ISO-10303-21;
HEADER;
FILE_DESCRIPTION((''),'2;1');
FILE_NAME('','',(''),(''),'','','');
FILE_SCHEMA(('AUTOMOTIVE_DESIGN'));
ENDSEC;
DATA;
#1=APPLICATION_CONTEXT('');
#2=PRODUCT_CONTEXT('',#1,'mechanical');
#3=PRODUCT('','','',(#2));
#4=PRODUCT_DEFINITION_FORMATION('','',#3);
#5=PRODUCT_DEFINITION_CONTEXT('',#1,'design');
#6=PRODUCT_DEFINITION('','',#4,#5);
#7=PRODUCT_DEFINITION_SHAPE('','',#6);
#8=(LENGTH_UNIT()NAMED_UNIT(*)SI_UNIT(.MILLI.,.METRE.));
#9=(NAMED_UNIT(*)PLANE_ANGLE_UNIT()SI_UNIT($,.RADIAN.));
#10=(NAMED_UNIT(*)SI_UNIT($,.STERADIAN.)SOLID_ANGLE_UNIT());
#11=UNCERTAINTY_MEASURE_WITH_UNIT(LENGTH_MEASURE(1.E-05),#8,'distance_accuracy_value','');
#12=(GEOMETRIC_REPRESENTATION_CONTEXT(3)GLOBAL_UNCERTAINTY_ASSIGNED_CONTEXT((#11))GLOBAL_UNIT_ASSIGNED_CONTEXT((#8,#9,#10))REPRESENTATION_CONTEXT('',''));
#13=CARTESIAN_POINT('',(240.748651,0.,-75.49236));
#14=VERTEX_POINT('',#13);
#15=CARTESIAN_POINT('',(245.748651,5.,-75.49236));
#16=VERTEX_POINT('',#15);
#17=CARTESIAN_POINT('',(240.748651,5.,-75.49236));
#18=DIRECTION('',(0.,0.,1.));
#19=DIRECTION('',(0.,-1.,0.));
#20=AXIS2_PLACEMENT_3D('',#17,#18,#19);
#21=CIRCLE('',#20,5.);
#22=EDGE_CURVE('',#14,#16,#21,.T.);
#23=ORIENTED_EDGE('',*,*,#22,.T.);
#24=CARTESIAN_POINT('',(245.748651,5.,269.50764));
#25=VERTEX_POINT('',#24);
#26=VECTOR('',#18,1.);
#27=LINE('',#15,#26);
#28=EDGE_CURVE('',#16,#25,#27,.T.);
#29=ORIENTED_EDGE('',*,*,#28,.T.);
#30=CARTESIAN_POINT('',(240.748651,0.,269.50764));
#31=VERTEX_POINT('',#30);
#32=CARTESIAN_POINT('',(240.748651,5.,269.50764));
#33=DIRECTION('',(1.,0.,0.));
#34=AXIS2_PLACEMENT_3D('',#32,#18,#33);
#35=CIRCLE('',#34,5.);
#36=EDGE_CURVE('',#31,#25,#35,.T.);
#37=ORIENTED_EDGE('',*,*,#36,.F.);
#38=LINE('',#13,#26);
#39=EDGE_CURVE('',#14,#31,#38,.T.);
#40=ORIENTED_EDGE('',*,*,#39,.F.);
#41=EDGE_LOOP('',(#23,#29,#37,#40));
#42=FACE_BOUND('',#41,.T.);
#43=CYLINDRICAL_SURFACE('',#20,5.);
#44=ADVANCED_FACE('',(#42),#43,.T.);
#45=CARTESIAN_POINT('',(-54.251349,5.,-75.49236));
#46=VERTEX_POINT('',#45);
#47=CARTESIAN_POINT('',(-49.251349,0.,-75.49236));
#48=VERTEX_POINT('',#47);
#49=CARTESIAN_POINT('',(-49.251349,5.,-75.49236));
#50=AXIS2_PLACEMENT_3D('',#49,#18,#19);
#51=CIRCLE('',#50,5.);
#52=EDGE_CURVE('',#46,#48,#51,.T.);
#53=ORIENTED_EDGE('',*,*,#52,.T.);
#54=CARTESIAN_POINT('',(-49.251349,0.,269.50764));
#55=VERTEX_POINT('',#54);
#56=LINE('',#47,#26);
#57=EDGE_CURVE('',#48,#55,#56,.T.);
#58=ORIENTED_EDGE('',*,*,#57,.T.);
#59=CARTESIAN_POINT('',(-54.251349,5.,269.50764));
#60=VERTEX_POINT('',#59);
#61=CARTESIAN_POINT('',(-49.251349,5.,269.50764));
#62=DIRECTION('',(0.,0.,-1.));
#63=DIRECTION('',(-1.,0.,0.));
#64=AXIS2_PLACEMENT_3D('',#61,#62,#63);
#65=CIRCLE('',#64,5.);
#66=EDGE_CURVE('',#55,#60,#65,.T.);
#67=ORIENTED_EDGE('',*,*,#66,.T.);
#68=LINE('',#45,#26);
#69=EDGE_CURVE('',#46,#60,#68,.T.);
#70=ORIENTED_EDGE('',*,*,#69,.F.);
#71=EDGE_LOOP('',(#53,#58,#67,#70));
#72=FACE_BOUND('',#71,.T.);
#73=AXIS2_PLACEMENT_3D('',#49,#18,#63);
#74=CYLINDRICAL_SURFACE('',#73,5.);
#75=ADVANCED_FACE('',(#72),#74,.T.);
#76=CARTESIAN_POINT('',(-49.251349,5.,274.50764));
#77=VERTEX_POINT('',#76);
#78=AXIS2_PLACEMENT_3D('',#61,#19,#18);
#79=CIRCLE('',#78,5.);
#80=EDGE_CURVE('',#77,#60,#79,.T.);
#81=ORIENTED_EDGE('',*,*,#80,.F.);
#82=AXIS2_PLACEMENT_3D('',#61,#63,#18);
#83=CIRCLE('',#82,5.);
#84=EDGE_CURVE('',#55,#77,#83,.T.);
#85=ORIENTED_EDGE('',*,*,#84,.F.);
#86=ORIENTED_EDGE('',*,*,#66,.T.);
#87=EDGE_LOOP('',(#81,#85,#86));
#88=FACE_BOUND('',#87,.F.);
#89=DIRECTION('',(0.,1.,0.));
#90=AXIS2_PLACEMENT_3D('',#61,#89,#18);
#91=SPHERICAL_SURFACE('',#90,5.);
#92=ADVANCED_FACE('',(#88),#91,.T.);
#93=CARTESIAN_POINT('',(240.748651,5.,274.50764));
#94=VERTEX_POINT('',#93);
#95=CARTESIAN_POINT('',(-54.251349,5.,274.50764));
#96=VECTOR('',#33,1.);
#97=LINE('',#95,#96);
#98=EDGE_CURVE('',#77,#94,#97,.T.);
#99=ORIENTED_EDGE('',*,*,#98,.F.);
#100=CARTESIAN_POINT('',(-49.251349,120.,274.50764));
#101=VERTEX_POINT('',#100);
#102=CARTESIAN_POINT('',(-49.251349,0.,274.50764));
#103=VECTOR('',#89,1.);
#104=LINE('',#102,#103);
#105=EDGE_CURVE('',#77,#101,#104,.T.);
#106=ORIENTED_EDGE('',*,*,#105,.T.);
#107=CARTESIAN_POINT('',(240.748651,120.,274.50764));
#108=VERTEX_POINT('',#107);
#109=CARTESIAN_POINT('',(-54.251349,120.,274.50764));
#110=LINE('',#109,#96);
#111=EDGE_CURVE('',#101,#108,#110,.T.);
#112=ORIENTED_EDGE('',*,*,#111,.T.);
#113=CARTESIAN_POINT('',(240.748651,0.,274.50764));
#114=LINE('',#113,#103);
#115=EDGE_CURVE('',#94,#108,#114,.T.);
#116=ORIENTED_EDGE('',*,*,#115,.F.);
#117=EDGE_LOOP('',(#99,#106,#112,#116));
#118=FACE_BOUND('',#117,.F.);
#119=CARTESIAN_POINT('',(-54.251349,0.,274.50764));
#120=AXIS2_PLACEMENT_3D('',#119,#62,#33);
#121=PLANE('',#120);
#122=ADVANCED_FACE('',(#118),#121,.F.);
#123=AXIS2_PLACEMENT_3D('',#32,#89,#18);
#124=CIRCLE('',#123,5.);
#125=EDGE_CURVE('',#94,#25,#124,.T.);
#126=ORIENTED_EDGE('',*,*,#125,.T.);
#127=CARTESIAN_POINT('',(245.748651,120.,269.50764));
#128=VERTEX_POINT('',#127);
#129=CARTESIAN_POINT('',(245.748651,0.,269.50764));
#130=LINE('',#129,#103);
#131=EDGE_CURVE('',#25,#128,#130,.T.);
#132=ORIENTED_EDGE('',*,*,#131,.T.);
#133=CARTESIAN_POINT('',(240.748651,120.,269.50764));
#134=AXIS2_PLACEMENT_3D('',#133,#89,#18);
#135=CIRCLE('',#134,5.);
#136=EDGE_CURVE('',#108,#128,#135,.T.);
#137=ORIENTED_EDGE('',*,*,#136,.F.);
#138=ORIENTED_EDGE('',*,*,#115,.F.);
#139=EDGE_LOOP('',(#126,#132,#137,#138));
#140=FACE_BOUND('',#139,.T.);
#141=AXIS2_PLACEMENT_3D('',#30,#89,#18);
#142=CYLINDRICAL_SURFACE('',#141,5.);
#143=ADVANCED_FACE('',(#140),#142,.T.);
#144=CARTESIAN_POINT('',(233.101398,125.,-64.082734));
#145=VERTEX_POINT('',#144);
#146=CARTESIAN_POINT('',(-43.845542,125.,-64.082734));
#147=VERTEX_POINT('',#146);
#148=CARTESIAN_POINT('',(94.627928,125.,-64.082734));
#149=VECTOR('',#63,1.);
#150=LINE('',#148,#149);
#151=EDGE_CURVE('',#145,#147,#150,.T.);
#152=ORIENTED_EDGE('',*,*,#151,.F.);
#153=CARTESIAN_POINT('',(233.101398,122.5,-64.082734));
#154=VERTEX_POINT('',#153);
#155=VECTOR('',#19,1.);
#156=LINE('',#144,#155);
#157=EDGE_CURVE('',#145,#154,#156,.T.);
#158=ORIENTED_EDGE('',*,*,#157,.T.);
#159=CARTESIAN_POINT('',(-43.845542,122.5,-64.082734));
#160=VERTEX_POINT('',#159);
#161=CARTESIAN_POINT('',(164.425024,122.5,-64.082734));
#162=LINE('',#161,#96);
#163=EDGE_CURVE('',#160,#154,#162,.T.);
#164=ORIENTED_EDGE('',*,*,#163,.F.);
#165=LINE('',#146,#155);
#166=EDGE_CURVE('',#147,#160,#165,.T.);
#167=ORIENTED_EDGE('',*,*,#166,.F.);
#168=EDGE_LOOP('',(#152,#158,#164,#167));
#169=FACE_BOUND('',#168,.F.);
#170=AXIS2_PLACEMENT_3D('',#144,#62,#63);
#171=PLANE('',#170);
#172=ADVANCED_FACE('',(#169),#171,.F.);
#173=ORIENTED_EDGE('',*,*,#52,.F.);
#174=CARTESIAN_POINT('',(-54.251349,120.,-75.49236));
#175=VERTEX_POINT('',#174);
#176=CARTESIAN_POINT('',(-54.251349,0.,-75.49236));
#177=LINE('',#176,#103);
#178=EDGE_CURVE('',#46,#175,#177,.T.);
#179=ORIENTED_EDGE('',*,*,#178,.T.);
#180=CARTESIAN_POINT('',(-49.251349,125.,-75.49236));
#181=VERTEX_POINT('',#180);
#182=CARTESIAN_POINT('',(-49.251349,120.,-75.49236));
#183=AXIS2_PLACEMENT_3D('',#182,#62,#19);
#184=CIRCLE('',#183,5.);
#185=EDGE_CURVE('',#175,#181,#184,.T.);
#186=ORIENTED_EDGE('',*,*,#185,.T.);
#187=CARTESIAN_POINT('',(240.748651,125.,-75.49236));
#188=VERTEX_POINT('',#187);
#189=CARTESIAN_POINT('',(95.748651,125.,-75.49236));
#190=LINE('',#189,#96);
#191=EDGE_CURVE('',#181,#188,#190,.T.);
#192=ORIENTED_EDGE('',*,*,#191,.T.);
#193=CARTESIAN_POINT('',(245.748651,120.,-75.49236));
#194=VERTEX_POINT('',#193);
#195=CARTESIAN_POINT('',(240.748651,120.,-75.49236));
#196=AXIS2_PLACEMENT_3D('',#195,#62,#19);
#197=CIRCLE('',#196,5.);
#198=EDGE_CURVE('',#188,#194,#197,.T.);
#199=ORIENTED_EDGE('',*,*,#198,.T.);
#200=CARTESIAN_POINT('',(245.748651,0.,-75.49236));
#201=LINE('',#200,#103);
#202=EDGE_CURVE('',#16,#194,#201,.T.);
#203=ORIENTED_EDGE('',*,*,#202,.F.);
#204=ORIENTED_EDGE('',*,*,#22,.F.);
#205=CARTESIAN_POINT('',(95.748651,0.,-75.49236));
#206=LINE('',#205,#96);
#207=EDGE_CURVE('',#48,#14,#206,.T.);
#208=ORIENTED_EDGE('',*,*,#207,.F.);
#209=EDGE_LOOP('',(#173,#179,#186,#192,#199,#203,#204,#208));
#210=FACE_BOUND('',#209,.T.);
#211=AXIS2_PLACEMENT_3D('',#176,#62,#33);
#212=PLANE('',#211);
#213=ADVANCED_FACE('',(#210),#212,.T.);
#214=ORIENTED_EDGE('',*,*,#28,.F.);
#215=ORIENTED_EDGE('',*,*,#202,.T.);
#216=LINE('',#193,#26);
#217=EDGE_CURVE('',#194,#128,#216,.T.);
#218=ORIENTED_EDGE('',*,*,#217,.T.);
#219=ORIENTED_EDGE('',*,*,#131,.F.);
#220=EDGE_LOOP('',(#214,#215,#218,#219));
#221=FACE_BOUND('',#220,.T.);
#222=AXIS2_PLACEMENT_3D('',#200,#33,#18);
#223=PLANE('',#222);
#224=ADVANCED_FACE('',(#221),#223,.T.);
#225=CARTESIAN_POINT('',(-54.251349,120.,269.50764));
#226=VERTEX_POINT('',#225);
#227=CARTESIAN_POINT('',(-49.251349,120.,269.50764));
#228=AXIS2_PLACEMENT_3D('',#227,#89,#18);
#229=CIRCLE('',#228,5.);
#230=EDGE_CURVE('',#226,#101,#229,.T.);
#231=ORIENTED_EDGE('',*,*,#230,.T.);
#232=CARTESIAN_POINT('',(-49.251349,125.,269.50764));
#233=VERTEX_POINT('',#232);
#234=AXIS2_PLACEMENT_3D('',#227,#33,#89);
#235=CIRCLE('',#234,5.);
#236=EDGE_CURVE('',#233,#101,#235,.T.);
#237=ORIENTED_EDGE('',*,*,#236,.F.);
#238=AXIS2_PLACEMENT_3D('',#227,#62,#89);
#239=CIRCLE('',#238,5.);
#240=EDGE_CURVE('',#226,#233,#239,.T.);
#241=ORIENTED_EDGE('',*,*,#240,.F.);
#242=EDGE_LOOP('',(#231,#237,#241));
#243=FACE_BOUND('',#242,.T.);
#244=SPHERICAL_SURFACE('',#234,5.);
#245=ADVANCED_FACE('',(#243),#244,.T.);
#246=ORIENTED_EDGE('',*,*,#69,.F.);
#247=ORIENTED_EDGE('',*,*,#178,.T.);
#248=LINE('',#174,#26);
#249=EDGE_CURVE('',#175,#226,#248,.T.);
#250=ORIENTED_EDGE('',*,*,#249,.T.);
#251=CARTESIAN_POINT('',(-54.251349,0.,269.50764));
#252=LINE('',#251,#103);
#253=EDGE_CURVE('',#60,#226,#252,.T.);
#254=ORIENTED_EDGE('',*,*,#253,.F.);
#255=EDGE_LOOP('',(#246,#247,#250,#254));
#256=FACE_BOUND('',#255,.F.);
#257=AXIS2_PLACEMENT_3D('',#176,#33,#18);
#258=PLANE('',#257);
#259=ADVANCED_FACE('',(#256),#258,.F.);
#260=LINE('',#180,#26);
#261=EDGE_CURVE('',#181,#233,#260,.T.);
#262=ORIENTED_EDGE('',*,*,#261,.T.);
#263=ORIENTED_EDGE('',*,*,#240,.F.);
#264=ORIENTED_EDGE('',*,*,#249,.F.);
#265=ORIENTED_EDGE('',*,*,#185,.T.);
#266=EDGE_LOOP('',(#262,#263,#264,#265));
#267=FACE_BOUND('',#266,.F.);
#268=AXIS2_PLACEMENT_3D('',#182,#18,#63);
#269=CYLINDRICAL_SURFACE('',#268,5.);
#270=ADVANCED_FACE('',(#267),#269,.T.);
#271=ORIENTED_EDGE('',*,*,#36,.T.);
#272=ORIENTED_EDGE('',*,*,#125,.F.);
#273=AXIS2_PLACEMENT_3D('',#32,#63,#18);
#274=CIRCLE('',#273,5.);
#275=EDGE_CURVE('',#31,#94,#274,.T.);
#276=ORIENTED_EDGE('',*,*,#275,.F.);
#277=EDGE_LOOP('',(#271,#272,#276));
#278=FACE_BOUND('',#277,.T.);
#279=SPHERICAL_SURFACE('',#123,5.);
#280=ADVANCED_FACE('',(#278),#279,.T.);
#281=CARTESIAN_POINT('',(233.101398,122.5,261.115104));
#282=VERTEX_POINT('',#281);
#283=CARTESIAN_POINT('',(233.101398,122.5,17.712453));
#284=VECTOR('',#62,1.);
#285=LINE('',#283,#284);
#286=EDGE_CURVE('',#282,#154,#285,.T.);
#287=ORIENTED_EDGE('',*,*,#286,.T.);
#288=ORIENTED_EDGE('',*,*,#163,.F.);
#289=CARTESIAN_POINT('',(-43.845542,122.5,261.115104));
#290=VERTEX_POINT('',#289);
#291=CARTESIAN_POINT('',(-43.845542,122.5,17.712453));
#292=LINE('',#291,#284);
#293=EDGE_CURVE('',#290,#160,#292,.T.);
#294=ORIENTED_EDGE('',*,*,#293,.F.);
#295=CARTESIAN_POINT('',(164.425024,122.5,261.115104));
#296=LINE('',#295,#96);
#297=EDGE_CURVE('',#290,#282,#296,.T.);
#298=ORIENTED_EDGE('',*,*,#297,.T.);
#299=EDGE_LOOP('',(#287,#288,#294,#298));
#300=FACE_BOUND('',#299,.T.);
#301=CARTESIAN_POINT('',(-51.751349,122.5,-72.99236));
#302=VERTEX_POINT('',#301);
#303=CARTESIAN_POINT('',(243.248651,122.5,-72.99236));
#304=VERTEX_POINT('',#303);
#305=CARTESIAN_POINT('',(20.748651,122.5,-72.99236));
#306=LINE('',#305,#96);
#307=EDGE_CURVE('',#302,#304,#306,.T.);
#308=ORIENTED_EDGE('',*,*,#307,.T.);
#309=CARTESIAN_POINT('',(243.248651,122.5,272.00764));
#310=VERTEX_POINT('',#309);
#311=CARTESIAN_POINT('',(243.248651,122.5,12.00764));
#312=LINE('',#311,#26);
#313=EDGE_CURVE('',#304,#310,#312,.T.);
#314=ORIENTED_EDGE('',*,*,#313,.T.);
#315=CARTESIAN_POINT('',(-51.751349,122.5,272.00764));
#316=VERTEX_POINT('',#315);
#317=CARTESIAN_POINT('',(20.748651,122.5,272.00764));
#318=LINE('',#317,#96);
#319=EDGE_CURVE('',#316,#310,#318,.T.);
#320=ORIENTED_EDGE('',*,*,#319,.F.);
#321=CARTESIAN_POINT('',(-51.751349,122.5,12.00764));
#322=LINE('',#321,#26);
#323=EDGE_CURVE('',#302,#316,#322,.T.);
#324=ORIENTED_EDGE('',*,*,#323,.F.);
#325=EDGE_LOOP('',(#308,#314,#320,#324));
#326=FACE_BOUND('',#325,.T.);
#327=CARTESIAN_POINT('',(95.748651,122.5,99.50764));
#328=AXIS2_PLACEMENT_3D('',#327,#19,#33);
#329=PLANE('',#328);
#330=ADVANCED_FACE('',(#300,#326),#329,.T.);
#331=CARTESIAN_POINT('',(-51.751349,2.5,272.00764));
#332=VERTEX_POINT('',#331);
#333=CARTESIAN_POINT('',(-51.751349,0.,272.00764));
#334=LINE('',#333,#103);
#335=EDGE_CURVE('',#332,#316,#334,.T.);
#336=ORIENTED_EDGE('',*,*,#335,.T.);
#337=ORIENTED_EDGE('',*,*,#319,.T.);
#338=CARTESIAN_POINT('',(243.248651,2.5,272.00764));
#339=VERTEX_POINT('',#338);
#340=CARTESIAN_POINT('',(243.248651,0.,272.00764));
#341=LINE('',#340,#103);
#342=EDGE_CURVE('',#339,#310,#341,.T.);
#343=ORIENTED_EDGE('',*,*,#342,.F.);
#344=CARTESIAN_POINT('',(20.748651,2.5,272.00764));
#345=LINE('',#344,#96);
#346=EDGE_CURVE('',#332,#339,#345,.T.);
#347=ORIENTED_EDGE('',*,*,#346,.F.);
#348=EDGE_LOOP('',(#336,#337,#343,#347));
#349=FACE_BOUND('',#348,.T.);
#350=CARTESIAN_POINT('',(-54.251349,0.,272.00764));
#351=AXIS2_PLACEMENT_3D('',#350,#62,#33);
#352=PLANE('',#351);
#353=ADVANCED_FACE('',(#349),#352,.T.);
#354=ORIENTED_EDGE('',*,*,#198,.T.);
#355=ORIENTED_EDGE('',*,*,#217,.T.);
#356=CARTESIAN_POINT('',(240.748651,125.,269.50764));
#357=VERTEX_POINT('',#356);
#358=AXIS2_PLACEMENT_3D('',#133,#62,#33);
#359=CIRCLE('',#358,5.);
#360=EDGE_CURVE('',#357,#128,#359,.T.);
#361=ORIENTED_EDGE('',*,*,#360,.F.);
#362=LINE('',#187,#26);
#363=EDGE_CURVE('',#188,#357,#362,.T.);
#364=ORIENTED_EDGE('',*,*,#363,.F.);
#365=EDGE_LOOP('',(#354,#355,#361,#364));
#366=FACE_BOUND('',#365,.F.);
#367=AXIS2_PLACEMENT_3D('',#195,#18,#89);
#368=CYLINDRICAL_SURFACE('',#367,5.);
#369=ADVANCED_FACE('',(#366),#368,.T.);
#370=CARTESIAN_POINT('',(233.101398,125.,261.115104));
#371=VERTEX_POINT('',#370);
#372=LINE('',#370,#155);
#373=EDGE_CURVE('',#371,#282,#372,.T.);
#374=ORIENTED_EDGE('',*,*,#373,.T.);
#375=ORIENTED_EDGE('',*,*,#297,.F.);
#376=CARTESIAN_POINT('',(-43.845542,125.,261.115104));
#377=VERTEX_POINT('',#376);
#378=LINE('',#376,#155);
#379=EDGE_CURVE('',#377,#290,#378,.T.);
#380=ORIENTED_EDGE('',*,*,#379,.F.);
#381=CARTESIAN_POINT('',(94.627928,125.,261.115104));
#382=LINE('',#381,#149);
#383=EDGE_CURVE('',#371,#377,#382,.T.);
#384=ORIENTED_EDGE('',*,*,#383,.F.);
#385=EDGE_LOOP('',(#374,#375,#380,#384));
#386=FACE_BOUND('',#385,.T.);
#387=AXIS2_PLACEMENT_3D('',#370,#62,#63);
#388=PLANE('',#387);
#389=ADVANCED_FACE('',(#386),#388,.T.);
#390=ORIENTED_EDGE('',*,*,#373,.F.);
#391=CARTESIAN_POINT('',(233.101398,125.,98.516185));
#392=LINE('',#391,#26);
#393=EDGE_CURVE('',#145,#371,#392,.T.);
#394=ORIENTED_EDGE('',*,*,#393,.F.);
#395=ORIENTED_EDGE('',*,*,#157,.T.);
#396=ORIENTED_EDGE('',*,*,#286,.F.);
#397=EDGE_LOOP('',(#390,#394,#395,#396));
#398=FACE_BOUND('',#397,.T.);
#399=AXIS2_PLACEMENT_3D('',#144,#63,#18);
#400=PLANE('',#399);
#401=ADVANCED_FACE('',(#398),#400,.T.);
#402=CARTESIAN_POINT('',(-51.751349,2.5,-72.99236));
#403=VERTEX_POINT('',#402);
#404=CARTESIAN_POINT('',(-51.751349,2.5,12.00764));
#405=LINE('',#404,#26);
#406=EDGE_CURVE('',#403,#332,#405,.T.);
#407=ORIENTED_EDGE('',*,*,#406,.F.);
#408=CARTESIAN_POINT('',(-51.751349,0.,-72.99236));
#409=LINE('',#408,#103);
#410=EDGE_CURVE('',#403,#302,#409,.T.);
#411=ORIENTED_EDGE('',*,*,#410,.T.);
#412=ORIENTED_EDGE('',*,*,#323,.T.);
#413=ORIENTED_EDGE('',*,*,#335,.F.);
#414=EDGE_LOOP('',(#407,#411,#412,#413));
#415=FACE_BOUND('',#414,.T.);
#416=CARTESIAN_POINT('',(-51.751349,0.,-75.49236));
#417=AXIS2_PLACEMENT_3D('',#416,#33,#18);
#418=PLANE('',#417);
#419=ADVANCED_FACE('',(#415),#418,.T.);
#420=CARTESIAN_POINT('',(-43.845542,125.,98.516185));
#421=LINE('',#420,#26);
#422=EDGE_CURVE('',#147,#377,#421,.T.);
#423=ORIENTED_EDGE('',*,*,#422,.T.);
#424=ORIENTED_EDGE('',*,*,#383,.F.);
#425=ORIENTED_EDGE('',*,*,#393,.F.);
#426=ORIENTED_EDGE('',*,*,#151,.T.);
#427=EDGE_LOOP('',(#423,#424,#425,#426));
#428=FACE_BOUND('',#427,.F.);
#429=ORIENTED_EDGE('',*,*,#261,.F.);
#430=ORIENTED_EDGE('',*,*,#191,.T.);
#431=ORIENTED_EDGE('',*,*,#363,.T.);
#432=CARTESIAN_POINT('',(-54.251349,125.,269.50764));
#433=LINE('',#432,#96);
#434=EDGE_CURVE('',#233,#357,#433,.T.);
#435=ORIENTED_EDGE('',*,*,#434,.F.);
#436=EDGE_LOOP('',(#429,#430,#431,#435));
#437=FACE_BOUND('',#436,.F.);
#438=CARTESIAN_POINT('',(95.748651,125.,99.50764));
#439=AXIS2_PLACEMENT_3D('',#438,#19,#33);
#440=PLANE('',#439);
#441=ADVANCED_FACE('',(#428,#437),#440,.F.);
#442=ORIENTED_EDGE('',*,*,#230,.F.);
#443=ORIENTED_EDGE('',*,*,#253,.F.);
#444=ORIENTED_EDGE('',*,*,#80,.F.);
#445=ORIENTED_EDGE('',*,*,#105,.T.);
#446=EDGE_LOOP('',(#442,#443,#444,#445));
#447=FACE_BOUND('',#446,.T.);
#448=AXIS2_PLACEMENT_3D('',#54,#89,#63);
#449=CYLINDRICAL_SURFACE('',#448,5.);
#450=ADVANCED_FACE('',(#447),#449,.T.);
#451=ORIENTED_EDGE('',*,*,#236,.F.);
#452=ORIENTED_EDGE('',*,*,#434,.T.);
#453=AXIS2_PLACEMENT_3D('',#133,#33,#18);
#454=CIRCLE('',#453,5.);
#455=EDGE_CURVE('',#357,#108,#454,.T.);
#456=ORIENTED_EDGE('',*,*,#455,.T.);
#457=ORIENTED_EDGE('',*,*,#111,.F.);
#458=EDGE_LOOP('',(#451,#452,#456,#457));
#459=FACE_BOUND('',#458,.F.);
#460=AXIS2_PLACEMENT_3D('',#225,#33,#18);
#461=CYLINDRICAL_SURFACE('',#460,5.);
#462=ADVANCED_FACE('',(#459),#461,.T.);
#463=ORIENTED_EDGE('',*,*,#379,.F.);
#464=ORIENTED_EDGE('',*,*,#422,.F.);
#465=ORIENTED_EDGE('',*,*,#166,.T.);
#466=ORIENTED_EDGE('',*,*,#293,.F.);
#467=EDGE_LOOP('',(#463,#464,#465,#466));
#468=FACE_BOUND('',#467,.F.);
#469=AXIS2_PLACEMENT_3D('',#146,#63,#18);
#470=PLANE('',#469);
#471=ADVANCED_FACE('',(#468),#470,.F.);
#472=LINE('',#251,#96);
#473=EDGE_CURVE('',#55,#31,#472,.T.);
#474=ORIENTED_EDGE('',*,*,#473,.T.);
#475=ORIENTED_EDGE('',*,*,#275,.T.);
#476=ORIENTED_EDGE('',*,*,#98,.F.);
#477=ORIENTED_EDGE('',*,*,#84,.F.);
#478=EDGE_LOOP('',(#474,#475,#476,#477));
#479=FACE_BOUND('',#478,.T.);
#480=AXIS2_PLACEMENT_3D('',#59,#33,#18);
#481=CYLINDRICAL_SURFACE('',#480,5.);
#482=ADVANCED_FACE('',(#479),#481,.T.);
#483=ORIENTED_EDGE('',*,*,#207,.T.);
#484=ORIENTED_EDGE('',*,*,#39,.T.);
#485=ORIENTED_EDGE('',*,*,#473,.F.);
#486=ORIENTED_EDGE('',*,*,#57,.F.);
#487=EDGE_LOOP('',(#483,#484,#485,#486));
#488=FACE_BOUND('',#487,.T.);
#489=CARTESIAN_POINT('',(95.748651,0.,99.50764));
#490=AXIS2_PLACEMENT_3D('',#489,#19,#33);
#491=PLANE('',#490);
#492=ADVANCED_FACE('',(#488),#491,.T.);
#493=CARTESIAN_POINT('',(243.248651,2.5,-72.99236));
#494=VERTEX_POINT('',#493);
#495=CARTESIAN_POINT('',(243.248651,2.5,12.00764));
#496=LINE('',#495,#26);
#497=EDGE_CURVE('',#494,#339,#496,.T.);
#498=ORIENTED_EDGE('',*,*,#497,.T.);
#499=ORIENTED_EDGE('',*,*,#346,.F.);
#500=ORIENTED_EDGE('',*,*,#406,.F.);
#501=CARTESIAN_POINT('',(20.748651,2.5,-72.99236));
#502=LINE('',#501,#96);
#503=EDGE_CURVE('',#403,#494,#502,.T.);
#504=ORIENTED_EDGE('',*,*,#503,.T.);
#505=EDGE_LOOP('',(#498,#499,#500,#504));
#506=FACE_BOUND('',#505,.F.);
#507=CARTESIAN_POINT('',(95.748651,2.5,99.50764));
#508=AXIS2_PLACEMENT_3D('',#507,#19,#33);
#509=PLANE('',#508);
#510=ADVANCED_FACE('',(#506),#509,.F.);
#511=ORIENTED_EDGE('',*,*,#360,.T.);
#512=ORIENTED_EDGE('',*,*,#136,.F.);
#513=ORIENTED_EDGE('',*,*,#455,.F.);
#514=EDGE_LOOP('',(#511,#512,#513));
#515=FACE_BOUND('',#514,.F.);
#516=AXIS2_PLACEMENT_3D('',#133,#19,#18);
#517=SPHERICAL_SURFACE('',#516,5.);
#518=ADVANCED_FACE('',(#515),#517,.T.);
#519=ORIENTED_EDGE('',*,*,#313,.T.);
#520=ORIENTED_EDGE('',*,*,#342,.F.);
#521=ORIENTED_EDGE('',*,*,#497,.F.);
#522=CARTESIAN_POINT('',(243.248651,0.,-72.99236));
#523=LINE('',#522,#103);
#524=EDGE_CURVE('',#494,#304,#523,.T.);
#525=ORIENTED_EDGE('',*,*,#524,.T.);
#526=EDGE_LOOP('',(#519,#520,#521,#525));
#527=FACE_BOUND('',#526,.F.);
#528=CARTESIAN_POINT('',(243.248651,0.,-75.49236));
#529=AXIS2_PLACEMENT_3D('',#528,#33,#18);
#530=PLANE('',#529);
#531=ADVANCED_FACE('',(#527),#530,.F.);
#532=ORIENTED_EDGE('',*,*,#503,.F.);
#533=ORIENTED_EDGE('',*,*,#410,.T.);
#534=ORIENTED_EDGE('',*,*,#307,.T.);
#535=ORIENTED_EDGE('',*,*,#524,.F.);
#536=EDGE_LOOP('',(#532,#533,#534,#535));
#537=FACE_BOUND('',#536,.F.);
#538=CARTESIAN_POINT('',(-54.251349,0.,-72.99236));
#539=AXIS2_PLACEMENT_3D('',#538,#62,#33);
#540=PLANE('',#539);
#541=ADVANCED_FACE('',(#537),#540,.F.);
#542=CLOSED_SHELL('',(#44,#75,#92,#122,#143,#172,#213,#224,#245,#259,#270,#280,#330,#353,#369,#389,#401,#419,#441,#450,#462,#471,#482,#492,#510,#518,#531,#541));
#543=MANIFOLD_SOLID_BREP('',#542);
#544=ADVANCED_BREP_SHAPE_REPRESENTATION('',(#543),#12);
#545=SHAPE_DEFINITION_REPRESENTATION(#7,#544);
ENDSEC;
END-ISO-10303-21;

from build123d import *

# Parameters (mm, degrees)
F0_W     = 300
F0_H     = 350
F1_DEPTH = 125
F2_T     = -2.5
F3_R     = 5
F4_W     = 276.946939528
F4_H     = 325.1978382468
F5_DEPTH = 120


with BuildPart() as f1:
    # F0 (on Front) → F1 (new body)
    with BuildSketch(Plane.XZ):
        with Locations((95.7486510277, 99.5076403022)):
            Rectangle(F0_W, F0_H)
    extrude(amount=-F1_DEPTH)

    # F2 (hollow: no face is removed)
    offset(amount=F2_T, mode=Mode.SUBTRACT)

    # F3
    f3_edges = [f1.edges().sort_by_distance(p)[0] for p in [
        (245.748651, 62.5, 274.50764),
        (95.748651, 125, 274.50764),
        (245.748651, 125, 99.50764),
        (-54.251349, 125, 99.50764),
        (-54.251349, 62.5, 274.50764),
        (95.748651, 0, 274.50764),
        (245.748651, 0, 99.50764),
        (-54.251349, 0, 99.50764),
    ]]
    fillet(f3_edges, radius=F3_R)

    # F4 (on face) → F5 (cut)
    with BuildSketch(Plane(origin=(0, 125, 0), x_dir=(-1, 0, 0), z_dir=(0, 1, 0))):
        with Locations((-94.6279279888, 98.5161848366)):
            Rectangle(F4_W, F4_H)
    extrude(amount=-F5_DEPTH, mode=Mode.SUBTRACT)


solid = f1.part
